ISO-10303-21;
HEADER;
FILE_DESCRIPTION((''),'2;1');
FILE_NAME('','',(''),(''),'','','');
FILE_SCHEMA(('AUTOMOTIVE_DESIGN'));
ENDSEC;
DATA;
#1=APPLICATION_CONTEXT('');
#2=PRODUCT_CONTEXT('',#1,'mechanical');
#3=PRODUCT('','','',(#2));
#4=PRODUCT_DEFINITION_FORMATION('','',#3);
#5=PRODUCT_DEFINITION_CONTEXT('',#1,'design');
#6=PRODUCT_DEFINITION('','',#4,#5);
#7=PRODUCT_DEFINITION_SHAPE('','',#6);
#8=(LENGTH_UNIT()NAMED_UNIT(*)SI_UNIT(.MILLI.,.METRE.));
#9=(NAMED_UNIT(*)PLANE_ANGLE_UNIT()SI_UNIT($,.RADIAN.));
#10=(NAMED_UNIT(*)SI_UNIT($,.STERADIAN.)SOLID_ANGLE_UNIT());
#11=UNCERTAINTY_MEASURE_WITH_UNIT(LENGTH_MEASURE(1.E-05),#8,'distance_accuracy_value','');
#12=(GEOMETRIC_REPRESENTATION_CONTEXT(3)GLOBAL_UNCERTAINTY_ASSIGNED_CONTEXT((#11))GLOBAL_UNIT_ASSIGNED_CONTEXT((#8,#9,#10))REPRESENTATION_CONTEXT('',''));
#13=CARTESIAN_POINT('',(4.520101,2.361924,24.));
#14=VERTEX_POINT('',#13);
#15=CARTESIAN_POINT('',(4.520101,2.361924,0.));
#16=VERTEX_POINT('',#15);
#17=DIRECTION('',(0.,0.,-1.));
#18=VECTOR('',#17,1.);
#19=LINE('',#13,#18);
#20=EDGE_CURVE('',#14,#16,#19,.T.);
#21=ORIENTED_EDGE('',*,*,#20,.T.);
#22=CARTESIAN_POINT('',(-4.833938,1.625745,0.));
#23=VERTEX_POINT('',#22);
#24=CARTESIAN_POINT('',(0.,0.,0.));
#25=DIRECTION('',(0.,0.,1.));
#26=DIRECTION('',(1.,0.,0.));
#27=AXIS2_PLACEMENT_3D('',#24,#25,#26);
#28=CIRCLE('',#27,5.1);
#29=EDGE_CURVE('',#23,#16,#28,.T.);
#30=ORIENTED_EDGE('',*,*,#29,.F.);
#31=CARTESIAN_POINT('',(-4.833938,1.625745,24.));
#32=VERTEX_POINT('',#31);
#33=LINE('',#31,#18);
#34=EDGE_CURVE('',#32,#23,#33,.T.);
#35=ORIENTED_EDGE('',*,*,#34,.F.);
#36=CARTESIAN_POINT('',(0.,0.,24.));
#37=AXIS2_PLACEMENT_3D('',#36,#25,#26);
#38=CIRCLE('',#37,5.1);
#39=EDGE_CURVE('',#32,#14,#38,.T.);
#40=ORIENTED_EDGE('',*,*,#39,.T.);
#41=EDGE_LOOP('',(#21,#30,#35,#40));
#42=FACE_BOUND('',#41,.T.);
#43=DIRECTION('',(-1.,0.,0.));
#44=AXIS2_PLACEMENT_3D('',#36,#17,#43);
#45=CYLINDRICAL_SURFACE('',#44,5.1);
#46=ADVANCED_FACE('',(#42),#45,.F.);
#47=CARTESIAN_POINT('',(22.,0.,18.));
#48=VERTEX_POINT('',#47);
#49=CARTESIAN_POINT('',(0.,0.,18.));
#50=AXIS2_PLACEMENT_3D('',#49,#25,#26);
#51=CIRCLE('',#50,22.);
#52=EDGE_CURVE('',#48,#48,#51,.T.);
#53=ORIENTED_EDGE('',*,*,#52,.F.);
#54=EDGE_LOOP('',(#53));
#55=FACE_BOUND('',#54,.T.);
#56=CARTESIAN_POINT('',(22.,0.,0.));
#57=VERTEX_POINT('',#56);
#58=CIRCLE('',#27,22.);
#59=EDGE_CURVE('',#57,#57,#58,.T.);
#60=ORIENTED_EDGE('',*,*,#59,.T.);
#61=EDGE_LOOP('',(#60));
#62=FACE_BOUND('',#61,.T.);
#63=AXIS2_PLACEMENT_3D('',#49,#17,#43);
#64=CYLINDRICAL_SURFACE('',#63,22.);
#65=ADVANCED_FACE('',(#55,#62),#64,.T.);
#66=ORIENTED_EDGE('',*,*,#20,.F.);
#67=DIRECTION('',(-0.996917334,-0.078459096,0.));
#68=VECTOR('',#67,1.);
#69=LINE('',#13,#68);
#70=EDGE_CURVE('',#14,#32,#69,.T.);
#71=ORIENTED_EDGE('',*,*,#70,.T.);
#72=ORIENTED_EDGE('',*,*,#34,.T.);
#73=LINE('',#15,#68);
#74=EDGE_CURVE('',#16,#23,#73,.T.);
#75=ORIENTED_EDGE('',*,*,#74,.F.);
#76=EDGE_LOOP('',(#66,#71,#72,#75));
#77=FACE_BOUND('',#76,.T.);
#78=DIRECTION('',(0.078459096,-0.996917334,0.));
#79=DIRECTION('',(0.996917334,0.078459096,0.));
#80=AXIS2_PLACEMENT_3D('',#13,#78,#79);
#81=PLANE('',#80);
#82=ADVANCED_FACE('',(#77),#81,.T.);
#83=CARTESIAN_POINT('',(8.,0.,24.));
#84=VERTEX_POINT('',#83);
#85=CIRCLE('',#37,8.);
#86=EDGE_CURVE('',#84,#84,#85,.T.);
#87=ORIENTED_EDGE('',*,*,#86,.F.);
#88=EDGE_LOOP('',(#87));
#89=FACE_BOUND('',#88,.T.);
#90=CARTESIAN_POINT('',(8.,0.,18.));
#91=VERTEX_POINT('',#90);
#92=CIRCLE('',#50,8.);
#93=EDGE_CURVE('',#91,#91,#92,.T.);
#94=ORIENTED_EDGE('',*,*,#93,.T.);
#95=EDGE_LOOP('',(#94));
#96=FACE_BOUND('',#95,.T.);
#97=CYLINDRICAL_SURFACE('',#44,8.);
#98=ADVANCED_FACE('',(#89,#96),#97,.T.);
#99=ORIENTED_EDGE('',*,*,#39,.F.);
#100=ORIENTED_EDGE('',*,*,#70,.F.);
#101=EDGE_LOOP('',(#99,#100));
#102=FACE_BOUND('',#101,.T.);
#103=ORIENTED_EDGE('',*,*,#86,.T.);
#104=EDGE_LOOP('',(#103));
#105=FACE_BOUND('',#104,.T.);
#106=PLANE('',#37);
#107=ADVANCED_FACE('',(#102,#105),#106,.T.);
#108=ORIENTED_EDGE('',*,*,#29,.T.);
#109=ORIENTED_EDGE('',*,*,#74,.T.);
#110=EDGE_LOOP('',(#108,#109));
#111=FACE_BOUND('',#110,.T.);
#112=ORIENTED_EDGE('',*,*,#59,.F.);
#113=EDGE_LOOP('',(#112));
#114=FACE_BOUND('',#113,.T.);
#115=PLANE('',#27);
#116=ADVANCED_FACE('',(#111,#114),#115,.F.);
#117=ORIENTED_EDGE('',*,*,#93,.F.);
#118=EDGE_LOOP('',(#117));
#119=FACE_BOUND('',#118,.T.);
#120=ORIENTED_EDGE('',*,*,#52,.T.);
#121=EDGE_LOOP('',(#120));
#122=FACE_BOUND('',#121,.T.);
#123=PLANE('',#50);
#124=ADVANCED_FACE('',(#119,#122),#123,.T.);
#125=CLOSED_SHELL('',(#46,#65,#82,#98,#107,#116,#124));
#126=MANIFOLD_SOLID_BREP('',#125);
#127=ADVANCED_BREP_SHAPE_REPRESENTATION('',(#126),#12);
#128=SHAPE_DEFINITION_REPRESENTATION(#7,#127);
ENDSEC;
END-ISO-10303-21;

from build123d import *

# Parameters (mm, degrees)
SKETCH_1_R      = 8
EXTRUDE_1_DEPTH = 24
SKETCH_2_R      = 22
SKETCH_2_R_2    = 8
EXTRUDE_2_DEPTH = 18


with BuildPart() as part:
    # 草图1 → 凸台-拉伸1 (new body)
    with BuildSketch(Plane.XY):
        Circle(SKETCH_1_R)
        with BuildLine():
            Line((4.520101179, 2.361924075), (-4.833937562, 1.62574526))
            ThreePointArc((-4.833937562, 1.62574526), (0.400141388, -5.084278402), (4.520101179, 2.361924075))
        make_face(mode=Mode.SUBTRACT)
    extrude(amount=EXTRUDE_1_DEPTH)

    # 草图2 → 凸台-拉伸2 (add)
    with BuildSketch(Plane.XY):
        Circle(SKETCH_2_R)
        Circle(SKETCH_2_R_2, mode=Mode.SUBTRACT)
    extrude(amount=EXTRUDE_2_DEPTH)


solid = part.part
